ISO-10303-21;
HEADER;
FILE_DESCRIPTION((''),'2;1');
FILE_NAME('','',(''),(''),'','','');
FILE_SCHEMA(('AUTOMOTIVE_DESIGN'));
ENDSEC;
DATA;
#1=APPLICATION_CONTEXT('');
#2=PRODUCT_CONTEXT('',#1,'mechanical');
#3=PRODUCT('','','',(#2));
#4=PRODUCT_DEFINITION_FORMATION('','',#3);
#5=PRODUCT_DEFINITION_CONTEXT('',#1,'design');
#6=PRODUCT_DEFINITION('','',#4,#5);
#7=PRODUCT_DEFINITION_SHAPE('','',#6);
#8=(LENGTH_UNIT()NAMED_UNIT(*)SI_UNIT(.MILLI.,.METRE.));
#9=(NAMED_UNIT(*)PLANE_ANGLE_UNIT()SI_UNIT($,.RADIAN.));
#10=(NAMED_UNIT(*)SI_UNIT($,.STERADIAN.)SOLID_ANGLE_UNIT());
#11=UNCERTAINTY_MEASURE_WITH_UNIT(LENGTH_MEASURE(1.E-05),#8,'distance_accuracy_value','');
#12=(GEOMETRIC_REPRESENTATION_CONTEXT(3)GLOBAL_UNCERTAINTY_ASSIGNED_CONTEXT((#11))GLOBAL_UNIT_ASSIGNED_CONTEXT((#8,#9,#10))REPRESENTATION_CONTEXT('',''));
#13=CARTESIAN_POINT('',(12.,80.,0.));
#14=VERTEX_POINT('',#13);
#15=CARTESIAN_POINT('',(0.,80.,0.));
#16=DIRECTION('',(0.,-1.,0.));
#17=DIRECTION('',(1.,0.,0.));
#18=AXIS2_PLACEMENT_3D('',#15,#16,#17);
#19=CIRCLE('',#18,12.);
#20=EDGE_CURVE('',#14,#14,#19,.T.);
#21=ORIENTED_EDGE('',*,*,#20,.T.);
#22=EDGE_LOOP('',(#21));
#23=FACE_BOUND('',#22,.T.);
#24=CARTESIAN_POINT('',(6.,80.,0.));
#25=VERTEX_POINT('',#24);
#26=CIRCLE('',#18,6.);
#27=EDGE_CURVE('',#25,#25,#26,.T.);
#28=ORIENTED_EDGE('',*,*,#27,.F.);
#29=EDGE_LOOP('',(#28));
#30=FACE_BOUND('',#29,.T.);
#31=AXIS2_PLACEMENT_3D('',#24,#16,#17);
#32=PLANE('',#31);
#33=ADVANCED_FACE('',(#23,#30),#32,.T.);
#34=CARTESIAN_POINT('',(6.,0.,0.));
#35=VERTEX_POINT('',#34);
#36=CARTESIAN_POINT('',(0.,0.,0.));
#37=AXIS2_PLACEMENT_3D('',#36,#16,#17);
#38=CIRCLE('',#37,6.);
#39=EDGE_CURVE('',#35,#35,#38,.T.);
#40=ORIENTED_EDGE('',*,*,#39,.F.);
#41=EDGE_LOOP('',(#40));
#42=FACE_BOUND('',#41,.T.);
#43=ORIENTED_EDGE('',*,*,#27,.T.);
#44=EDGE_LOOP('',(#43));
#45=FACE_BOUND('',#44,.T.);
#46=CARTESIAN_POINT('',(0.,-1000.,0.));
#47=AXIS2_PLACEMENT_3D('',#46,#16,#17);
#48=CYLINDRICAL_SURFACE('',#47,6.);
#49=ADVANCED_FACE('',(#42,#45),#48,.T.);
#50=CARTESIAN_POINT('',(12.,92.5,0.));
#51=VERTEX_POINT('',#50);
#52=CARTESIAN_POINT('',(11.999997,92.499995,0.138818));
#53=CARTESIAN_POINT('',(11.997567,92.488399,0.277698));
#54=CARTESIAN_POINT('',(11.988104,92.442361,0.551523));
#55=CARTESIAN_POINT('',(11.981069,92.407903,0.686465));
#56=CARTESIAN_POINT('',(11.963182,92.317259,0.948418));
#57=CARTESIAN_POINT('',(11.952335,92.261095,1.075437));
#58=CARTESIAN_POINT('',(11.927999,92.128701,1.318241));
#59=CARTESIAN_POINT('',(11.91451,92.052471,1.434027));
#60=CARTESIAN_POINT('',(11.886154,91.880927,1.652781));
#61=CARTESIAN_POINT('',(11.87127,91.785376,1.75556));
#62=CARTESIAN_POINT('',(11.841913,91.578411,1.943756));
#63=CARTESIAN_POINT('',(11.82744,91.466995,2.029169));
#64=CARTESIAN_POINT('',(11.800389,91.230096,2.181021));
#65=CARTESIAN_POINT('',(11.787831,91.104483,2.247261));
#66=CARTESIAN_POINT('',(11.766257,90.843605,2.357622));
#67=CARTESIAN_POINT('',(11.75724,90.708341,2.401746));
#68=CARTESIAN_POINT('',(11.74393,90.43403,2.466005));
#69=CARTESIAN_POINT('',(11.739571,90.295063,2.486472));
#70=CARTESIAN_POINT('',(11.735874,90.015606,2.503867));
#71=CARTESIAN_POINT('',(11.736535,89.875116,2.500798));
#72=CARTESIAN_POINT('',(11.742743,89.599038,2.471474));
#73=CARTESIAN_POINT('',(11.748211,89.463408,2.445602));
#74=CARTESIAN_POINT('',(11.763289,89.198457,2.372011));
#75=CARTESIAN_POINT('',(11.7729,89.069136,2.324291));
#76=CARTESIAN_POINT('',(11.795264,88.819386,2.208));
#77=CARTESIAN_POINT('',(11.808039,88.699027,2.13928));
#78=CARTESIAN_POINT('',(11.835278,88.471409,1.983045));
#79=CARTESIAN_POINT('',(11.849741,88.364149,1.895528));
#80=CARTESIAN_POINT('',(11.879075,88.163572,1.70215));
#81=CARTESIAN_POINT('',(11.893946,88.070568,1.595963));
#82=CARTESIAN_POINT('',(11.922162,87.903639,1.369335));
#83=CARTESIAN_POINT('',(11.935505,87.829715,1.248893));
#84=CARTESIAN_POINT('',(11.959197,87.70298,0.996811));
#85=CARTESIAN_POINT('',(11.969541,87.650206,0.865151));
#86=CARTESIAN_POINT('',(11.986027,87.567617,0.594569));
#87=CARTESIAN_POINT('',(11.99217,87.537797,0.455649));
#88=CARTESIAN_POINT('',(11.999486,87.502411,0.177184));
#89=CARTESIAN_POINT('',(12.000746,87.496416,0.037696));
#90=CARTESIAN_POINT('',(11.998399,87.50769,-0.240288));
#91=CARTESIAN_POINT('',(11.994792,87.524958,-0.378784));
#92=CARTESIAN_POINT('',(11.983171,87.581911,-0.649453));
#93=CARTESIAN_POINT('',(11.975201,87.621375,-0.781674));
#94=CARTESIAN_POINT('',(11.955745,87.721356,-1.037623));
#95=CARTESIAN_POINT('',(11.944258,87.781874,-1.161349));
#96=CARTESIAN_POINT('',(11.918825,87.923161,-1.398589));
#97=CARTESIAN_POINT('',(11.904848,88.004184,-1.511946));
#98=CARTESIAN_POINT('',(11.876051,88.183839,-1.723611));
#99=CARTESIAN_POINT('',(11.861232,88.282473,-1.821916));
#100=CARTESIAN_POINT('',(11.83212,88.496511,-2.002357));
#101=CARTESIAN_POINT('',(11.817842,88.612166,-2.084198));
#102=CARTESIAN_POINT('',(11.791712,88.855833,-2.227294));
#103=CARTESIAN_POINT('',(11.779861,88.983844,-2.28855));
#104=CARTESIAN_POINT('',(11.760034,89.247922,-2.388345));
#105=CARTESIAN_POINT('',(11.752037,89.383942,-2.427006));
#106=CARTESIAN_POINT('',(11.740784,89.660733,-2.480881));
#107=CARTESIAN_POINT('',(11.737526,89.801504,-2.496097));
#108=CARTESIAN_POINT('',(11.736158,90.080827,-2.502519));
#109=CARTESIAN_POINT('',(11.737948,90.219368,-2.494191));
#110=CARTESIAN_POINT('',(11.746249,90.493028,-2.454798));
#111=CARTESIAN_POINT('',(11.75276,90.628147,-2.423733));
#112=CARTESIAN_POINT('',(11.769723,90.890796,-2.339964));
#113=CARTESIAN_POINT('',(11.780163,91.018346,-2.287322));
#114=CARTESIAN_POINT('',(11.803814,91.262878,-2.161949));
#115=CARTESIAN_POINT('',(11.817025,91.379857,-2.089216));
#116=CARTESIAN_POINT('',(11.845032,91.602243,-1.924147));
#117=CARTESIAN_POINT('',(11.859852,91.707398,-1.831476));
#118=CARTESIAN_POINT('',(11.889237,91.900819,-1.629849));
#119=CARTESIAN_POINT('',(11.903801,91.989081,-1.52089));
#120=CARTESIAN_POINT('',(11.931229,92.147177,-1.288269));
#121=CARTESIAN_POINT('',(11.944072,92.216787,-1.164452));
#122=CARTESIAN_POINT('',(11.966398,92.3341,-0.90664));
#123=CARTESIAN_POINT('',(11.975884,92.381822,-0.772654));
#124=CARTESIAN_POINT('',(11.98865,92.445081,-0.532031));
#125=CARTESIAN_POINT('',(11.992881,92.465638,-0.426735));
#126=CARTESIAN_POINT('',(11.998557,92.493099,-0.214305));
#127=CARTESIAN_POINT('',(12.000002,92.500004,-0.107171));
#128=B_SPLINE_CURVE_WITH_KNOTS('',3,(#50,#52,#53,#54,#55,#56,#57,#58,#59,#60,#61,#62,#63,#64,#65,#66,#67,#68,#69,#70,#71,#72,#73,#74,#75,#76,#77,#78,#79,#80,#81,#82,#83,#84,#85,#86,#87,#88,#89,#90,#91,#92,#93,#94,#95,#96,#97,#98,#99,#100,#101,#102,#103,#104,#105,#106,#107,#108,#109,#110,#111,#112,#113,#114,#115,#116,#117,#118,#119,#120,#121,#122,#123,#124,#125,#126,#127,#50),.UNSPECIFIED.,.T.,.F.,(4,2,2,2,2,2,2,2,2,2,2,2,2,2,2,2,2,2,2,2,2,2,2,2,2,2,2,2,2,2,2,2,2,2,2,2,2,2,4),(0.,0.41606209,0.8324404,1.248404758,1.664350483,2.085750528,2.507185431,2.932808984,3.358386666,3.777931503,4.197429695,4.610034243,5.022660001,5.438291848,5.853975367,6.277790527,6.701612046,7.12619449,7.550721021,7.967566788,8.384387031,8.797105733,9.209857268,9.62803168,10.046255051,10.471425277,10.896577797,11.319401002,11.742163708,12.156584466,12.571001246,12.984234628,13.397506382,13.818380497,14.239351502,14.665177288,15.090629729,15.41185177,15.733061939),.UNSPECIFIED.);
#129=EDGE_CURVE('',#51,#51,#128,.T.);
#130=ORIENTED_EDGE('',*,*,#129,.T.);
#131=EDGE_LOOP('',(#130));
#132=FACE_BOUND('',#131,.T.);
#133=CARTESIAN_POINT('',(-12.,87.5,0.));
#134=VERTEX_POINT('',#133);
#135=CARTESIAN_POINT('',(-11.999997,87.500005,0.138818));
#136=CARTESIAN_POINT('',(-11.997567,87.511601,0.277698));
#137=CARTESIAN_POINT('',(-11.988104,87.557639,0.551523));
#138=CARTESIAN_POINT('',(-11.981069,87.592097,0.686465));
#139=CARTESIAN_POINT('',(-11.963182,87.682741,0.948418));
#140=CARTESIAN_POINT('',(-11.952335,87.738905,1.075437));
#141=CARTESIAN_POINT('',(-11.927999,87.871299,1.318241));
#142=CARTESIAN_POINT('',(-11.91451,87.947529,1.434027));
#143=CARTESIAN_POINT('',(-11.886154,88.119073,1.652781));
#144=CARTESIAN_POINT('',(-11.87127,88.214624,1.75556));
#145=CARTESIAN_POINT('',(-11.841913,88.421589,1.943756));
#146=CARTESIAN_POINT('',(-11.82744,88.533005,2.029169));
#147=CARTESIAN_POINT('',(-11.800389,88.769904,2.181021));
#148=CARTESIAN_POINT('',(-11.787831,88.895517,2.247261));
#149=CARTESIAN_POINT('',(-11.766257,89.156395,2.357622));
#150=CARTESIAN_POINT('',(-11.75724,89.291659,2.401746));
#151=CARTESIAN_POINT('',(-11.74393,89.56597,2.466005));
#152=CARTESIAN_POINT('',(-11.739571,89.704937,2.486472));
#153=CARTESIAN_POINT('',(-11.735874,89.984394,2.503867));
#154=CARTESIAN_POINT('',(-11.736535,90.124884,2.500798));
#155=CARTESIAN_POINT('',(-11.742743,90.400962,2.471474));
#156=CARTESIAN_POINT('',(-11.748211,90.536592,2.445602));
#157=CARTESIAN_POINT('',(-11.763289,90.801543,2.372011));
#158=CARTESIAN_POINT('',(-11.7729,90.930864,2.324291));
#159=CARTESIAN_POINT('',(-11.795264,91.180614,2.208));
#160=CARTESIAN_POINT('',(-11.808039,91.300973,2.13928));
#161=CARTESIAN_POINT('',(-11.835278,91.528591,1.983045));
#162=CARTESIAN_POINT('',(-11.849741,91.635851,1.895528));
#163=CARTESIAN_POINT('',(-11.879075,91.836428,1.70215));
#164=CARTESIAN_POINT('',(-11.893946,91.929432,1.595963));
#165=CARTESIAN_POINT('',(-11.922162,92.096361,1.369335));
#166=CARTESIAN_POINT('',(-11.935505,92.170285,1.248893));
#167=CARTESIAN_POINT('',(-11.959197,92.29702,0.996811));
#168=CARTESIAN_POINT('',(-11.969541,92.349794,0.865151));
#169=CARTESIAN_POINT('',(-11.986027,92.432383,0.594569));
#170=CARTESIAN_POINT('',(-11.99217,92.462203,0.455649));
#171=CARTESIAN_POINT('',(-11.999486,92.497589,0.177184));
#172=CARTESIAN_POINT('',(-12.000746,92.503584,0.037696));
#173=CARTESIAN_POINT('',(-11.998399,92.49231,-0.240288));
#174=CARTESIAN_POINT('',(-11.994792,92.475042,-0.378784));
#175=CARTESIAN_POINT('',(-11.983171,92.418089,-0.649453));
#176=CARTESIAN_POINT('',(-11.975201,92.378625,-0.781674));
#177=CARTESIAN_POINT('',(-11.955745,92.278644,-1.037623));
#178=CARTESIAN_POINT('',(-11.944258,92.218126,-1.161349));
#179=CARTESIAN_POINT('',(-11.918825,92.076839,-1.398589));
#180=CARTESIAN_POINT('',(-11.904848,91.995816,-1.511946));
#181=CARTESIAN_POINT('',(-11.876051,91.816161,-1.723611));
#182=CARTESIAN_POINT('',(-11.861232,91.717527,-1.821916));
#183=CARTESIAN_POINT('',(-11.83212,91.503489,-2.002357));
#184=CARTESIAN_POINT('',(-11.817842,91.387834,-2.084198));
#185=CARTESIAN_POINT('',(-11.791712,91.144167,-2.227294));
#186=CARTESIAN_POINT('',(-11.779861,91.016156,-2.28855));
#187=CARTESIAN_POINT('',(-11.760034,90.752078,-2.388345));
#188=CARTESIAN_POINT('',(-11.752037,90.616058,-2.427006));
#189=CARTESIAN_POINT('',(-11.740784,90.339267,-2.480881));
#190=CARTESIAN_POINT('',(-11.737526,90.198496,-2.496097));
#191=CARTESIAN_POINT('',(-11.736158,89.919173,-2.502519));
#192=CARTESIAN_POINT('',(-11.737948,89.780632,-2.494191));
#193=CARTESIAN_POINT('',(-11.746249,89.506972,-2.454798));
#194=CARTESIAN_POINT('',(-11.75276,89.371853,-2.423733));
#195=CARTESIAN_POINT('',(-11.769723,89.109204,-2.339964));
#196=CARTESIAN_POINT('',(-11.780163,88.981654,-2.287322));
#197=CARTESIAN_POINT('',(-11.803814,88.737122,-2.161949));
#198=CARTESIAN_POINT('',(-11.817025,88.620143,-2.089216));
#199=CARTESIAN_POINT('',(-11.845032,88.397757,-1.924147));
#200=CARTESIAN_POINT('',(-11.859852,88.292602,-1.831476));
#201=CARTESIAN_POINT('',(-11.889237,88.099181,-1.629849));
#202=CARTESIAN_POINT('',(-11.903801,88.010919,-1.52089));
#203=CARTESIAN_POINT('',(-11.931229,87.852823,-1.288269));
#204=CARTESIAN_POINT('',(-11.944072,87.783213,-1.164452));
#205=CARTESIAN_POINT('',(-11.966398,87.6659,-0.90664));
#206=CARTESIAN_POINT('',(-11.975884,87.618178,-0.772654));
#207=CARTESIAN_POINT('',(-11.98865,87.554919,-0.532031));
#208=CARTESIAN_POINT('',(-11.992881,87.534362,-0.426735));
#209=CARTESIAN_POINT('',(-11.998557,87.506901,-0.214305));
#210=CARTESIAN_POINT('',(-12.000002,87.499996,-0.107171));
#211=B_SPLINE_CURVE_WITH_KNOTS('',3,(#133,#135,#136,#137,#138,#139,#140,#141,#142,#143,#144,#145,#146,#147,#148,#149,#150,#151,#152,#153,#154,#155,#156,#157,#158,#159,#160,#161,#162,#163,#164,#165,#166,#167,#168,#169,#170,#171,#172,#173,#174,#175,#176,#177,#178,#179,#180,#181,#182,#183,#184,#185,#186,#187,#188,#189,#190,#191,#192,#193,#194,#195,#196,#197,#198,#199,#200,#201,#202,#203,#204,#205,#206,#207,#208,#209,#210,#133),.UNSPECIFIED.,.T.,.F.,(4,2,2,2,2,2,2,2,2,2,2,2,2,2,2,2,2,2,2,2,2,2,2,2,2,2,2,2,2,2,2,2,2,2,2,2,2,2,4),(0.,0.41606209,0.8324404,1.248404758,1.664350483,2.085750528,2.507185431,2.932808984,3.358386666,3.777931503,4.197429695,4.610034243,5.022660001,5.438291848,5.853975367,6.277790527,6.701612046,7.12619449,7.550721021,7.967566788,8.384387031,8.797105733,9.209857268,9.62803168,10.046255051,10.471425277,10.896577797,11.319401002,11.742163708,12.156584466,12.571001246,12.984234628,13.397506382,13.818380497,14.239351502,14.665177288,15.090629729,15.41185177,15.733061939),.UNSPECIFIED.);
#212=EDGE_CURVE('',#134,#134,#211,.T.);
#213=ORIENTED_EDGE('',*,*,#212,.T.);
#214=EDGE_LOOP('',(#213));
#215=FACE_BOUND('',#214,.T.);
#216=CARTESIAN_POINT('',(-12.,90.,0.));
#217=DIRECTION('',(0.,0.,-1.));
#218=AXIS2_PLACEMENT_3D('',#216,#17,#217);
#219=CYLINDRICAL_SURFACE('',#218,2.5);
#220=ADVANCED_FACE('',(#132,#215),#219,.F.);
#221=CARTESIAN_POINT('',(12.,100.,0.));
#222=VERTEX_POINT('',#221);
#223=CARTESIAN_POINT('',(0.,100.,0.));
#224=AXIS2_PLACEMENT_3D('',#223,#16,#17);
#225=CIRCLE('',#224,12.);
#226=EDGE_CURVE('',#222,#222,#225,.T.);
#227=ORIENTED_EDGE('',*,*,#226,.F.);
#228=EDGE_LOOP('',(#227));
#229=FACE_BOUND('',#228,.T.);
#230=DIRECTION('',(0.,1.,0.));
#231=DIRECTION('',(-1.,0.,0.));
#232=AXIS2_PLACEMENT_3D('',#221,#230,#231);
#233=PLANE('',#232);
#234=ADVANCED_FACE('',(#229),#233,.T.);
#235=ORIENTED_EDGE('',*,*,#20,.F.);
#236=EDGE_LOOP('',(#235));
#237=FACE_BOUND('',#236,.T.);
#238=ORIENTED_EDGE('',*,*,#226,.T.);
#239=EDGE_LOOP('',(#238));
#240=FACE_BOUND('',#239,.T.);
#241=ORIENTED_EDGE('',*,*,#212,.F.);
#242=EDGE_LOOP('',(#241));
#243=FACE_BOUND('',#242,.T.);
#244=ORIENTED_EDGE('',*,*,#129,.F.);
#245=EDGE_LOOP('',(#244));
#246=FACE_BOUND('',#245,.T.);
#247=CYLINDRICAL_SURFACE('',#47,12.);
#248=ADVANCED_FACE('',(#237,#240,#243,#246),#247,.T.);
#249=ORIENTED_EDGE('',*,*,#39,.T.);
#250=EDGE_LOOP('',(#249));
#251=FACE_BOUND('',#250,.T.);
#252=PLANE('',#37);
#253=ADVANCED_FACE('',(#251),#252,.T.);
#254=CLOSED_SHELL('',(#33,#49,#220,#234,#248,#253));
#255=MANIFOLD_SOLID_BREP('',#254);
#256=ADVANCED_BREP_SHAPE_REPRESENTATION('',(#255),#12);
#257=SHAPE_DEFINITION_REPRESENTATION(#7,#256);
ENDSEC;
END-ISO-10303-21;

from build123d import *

# Parameters (mm, degrees)
SKETCH2_R          = 2.5
CUT_EXTRUDE1_DEPTH = 25


with BuildPart() as part:
    # Sketch1 → Revolve1 (revolve)
    with BuildSketch(Plane.XY):
        Polygon((0, 0), (6, 0), (6, 80), (12, 80), (12, 100), (0, 100), align=None)
    revolve(axis=Axis((0, -1000, 0), (0, 1, 0)))

    # Sketch2 → Cut-Extrude1 (cut, through all)
    with BuildSketch(Plane(origin=(12, 0, 0), x_dir=(0, 0, -1), z_dir=(1, 0, 0))):
        with Locations((0, 90)):
            Circle(SKETCH2_R)
    extrude(amount=-CUT_EXTRUDE1_DEPTH, mode=Mode.SUBTRACT)


solid = part.part
